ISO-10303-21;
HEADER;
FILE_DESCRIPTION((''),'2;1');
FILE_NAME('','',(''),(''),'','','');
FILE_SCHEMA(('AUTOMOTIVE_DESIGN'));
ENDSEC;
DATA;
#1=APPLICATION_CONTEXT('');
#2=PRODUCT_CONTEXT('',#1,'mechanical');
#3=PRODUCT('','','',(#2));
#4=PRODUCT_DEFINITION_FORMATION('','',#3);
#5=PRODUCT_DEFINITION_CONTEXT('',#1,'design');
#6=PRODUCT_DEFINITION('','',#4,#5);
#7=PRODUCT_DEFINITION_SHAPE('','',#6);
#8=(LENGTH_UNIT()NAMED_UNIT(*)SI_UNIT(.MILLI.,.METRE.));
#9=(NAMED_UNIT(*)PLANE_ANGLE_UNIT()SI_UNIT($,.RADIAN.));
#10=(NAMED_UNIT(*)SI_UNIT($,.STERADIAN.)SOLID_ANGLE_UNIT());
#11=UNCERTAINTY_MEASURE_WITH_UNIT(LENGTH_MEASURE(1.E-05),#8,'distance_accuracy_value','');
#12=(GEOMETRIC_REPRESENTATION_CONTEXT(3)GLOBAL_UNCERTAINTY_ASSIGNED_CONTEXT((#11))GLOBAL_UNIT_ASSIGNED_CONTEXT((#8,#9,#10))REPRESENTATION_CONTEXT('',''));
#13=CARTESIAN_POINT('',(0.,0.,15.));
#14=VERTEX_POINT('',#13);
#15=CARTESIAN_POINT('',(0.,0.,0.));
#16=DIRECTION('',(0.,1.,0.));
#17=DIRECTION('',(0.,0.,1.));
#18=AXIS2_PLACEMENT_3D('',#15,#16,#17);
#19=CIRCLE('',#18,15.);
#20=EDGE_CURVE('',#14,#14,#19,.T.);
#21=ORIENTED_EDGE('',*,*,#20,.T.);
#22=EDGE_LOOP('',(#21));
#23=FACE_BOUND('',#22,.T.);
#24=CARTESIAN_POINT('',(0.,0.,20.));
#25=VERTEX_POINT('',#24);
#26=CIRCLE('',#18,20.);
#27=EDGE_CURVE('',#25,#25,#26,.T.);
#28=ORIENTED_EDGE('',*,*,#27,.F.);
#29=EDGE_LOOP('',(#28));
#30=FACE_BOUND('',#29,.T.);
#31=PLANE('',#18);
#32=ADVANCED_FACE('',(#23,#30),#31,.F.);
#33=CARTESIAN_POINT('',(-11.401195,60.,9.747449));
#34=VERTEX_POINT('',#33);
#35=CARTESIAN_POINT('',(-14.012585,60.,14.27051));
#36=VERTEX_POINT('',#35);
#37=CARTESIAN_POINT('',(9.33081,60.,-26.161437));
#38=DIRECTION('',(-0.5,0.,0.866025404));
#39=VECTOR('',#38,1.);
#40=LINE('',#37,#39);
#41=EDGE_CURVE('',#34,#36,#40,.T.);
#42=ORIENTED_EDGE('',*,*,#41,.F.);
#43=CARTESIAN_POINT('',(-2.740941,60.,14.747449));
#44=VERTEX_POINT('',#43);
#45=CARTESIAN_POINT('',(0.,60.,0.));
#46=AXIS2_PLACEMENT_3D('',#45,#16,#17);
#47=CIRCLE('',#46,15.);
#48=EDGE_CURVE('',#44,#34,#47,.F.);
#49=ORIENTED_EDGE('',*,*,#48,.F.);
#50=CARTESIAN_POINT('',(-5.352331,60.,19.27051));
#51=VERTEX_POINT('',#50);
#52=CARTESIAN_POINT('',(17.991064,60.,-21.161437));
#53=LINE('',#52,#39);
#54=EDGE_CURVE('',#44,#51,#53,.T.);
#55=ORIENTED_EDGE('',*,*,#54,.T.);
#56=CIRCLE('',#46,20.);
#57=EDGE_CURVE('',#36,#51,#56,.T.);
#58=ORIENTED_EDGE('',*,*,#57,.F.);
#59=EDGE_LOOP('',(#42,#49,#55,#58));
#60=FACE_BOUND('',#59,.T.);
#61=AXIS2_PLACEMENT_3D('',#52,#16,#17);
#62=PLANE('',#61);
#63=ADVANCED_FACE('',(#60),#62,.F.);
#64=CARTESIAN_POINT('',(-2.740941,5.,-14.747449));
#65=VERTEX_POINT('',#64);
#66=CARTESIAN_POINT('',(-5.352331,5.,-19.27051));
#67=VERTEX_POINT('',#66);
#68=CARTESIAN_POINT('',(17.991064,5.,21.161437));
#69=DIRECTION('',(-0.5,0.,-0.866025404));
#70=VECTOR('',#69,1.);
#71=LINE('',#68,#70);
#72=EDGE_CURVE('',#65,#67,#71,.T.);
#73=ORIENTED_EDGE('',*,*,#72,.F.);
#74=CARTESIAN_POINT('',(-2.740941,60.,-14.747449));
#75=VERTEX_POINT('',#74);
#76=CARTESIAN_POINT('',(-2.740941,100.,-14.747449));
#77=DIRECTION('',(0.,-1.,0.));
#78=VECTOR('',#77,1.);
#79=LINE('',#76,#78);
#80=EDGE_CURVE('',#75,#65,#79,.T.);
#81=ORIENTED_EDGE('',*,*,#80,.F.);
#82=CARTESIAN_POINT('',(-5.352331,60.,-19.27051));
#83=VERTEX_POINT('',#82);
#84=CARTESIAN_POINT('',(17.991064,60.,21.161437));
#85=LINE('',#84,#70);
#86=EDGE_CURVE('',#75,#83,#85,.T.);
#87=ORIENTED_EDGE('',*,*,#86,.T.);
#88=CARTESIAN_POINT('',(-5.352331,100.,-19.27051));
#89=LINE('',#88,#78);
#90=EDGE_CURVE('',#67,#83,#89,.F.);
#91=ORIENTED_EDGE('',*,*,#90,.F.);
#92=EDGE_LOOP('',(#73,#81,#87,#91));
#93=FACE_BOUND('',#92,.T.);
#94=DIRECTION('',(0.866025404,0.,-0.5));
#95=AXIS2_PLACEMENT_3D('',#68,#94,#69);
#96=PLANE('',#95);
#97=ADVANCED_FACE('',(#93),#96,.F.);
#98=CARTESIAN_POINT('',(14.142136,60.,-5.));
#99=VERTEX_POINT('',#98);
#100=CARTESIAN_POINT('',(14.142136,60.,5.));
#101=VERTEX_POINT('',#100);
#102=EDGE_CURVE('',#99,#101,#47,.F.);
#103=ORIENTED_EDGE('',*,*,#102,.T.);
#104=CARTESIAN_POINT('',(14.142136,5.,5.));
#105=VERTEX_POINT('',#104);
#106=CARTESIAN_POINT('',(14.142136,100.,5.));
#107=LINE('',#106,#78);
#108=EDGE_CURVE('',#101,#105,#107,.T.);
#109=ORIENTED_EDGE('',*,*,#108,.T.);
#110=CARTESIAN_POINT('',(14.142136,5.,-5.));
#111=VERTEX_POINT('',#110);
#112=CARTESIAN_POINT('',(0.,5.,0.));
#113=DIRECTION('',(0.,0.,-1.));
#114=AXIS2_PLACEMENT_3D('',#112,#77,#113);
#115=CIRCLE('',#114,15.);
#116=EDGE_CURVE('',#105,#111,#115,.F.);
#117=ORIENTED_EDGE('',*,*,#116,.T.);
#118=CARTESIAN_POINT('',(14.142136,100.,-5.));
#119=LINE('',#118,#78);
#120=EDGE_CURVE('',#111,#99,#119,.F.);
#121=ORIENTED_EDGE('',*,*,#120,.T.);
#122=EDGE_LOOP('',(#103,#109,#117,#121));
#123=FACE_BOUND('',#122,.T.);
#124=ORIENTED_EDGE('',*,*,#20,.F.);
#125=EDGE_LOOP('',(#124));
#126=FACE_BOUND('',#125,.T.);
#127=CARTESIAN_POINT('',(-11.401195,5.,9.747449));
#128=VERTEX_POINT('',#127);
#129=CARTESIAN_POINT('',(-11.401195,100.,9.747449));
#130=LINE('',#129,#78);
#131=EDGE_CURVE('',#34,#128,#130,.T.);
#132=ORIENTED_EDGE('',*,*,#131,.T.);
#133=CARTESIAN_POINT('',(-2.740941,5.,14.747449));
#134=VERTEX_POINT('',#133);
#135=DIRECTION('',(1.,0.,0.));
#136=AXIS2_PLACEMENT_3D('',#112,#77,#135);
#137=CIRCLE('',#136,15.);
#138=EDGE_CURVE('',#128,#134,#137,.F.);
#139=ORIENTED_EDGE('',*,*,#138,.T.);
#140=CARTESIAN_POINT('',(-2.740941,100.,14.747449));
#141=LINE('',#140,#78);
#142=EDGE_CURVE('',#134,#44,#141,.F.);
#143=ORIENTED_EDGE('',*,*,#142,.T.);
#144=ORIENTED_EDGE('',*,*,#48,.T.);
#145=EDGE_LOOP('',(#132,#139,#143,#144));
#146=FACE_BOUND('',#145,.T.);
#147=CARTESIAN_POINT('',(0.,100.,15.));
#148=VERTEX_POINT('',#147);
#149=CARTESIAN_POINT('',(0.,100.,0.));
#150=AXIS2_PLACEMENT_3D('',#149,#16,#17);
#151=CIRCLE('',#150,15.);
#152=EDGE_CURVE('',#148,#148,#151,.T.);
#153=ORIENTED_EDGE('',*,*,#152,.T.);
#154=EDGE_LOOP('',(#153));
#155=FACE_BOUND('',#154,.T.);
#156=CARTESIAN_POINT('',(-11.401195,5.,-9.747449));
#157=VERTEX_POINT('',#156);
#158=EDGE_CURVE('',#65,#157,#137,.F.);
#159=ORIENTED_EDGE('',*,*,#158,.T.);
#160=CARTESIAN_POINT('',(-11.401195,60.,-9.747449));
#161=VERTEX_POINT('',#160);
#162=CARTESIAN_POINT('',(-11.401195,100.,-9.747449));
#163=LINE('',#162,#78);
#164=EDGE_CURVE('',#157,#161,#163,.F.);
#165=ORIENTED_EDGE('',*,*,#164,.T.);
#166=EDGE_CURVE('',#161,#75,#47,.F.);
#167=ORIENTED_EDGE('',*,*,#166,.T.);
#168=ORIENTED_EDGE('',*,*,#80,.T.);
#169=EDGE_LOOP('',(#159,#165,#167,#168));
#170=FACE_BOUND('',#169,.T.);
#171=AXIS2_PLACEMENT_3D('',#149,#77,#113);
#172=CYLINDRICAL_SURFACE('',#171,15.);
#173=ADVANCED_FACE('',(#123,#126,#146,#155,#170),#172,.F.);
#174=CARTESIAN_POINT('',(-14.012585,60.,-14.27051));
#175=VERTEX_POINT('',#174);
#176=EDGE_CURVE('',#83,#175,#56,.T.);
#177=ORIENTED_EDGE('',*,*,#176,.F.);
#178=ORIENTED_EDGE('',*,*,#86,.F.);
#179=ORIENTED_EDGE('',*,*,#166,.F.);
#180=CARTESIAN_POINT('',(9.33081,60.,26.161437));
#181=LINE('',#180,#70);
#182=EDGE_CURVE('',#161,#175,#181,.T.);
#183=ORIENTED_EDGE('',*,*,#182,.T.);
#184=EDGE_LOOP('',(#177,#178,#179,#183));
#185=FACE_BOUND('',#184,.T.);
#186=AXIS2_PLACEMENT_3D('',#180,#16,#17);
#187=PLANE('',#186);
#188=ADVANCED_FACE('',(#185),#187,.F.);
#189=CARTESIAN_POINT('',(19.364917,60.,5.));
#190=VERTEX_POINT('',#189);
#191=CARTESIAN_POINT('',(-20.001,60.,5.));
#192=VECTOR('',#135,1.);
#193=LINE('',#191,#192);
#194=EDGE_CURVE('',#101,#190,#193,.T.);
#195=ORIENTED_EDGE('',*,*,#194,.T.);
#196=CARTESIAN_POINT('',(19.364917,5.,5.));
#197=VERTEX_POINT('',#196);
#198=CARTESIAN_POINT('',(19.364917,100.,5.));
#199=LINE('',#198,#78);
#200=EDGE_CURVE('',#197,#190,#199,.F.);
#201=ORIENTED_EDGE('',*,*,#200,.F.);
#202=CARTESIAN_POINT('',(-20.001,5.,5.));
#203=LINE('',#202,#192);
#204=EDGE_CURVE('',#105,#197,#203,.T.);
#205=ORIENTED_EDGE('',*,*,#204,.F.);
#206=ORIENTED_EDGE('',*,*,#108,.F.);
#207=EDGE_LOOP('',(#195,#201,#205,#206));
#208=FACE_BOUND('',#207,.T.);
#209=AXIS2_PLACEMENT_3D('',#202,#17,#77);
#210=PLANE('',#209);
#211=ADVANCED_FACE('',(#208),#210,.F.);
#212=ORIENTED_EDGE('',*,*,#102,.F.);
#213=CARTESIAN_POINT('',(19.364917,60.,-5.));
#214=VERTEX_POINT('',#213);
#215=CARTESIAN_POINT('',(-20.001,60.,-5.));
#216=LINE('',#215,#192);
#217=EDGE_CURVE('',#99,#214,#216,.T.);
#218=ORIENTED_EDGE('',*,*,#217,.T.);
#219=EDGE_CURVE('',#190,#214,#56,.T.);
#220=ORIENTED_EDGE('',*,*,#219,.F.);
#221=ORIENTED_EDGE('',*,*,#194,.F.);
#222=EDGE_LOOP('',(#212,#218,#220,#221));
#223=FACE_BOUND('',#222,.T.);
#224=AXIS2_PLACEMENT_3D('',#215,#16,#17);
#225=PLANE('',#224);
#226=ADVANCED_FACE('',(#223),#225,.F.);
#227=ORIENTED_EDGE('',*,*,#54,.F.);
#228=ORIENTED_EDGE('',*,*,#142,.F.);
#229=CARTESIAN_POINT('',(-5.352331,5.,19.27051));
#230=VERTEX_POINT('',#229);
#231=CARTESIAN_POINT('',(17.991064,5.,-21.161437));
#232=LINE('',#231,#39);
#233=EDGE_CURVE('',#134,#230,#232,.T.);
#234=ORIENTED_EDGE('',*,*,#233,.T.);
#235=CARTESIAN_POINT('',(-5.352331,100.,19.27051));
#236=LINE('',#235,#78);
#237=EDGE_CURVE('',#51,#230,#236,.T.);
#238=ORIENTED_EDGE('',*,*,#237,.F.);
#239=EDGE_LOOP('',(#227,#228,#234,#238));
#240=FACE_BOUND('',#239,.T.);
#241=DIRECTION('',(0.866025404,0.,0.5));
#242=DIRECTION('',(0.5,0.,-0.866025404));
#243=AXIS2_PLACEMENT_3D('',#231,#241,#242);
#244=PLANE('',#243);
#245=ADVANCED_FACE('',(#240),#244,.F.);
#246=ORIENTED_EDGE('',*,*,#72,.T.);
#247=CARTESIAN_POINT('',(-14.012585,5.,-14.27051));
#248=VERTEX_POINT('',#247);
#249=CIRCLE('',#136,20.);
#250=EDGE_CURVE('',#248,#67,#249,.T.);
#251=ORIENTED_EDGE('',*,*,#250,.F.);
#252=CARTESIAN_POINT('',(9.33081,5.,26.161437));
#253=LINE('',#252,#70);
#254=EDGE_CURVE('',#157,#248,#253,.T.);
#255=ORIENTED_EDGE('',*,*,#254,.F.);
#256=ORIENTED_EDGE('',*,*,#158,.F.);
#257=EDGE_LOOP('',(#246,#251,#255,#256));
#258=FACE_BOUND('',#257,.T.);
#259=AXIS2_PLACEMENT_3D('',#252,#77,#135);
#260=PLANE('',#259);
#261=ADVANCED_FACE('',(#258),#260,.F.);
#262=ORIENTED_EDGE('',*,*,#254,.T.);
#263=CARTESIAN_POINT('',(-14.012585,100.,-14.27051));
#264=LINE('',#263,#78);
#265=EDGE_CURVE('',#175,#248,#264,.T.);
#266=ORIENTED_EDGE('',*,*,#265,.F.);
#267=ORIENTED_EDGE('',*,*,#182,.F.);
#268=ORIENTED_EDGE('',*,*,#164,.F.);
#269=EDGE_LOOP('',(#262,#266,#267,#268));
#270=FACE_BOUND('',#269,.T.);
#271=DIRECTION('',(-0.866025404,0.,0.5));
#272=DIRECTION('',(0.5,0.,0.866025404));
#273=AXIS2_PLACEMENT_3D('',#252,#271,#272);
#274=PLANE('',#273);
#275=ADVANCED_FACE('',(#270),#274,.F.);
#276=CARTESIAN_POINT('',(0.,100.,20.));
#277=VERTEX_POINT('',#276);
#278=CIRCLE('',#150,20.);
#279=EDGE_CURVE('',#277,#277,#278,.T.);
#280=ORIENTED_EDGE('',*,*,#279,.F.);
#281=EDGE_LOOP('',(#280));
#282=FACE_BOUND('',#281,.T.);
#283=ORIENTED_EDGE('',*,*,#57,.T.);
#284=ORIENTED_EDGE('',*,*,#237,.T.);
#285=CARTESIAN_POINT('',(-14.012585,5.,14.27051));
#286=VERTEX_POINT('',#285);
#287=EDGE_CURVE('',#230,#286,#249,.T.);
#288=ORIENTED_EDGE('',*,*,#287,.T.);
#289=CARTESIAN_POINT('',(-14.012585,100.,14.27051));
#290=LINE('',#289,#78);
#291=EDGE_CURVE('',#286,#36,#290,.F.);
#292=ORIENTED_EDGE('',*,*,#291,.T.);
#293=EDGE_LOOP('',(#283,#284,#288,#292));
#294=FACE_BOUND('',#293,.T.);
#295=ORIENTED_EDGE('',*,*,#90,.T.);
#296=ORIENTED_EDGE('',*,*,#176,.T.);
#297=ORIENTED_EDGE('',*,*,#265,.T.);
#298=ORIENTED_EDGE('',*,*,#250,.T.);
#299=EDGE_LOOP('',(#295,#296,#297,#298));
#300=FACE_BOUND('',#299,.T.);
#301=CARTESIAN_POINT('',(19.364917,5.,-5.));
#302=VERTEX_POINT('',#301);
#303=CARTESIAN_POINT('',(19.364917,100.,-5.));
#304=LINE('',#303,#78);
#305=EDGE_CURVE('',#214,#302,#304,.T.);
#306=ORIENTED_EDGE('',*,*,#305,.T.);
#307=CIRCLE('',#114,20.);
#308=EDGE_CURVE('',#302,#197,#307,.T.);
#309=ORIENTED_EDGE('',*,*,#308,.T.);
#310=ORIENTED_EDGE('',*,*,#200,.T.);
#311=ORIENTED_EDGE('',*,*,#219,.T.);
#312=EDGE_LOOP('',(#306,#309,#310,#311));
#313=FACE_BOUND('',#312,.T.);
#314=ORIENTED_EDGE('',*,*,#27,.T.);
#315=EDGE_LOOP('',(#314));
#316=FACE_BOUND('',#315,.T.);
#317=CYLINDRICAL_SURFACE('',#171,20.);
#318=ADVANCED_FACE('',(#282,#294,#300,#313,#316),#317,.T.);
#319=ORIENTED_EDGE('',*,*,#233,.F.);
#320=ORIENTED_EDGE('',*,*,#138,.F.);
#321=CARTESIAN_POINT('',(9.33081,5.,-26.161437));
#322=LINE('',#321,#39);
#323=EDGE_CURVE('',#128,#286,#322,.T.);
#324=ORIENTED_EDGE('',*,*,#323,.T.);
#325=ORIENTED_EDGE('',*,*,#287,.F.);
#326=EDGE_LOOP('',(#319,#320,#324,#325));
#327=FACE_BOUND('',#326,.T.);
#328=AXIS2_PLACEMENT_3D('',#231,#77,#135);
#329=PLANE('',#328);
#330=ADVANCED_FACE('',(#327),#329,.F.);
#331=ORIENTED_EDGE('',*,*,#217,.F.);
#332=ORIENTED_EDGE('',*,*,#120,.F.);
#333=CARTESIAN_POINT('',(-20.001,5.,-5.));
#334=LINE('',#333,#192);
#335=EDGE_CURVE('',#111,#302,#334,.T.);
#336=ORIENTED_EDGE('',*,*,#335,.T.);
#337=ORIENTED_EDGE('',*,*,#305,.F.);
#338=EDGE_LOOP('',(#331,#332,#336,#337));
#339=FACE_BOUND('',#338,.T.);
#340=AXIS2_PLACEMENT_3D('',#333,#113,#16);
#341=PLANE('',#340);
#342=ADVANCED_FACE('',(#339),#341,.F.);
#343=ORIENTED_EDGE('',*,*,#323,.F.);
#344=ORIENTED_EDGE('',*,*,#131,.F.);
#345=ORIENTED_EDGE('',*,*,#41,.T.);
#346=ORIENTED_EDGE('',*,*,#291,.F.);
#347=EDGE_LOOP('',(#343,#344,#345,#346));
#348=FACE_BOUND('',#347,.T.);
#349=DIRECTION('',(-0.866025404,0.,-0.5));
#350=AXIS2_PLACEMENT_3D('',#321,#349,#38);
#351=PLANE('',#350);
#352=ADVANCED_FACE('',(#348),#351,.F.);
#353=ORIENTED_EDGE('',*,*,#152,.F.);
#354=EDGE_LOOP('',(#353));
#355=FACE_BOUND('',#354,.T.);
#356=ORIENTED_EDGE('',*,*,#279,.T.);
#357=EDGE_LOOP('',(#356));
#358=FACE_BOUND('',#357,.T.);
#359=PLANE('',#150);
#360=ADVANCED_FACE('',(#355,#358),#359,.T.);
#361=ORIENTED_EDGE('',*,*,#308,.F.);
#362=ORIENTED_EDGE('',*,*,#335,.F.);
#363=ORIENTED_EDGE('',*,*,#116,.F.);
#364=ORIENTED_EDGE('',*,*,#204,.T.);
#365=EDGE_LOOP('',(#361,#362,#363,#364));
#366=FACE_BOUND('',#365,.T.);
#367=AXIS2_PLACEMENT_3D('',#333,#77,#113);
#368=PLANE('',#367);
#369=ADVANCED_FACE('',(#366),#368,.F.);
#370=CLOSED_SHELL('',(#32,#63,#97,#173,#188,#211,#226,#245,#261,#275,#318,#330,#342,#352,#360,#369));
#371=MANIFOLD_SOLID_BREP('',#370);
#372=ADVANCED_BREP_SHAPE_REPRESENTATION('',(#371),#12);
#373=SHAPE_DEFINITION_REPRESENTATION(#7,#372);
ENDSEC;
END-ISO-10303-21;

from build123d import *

# Parameters (mm, degrees)
SKETCH1_R           = 20
SKETCH1_R_2         = 15
BOSS_EXTRUDE1_DEPTH = 100
SKETCH2_W           = 10
SKETCH2_H           = 55
CUT_EXTRUDE2_DEPTH  = 5.857864
CIRPATTERN1_COUNT   = 3


with BuildPart() as part:
    # Sketch1 → Boss-Extrude1 (new body)
    with BuildSketch(Plane(origin=(0, 0, 0), x_dir=(1, 0, 0), z_dir=(0, 1, 0))):
        Circle(SKETCH1_R)
        Circle(SKETCH1_R_2, mode=Mode.SUBTRACT)
    extrude(amount=BOSS_EXTRUDE1_DEPTH)

    # Sketch2 → Cut-Extrude2 (cut)
    with BuildSketch(Plane(origin=(20, 0, 0), x_dir=(0, 0, -1), z_dir=(1, 0, 0))):
        with Locations((0, 32.5)):
            Rectangle(SKETCH2_W, SKETCH2_H)
    cut_extrude2 = extrude(amount=-CUT_EXTRUDE2_DEPTH, mode=Mode.SUBTRACT)

    # CirPattern1: Cut-Extrude2 ×3 about axis
    cirpattern1_axis = Axis((0, 0, 0), (0, 1, 0))
    for i in range(1, CIRPATTERN1_COUNT):
        add(cut_extrude2.rotate(cirpattern1_axis, i * 360 / CIRPATTERN1_COUNT), mode=Mode.SUBTRACT)


solid = part.part
